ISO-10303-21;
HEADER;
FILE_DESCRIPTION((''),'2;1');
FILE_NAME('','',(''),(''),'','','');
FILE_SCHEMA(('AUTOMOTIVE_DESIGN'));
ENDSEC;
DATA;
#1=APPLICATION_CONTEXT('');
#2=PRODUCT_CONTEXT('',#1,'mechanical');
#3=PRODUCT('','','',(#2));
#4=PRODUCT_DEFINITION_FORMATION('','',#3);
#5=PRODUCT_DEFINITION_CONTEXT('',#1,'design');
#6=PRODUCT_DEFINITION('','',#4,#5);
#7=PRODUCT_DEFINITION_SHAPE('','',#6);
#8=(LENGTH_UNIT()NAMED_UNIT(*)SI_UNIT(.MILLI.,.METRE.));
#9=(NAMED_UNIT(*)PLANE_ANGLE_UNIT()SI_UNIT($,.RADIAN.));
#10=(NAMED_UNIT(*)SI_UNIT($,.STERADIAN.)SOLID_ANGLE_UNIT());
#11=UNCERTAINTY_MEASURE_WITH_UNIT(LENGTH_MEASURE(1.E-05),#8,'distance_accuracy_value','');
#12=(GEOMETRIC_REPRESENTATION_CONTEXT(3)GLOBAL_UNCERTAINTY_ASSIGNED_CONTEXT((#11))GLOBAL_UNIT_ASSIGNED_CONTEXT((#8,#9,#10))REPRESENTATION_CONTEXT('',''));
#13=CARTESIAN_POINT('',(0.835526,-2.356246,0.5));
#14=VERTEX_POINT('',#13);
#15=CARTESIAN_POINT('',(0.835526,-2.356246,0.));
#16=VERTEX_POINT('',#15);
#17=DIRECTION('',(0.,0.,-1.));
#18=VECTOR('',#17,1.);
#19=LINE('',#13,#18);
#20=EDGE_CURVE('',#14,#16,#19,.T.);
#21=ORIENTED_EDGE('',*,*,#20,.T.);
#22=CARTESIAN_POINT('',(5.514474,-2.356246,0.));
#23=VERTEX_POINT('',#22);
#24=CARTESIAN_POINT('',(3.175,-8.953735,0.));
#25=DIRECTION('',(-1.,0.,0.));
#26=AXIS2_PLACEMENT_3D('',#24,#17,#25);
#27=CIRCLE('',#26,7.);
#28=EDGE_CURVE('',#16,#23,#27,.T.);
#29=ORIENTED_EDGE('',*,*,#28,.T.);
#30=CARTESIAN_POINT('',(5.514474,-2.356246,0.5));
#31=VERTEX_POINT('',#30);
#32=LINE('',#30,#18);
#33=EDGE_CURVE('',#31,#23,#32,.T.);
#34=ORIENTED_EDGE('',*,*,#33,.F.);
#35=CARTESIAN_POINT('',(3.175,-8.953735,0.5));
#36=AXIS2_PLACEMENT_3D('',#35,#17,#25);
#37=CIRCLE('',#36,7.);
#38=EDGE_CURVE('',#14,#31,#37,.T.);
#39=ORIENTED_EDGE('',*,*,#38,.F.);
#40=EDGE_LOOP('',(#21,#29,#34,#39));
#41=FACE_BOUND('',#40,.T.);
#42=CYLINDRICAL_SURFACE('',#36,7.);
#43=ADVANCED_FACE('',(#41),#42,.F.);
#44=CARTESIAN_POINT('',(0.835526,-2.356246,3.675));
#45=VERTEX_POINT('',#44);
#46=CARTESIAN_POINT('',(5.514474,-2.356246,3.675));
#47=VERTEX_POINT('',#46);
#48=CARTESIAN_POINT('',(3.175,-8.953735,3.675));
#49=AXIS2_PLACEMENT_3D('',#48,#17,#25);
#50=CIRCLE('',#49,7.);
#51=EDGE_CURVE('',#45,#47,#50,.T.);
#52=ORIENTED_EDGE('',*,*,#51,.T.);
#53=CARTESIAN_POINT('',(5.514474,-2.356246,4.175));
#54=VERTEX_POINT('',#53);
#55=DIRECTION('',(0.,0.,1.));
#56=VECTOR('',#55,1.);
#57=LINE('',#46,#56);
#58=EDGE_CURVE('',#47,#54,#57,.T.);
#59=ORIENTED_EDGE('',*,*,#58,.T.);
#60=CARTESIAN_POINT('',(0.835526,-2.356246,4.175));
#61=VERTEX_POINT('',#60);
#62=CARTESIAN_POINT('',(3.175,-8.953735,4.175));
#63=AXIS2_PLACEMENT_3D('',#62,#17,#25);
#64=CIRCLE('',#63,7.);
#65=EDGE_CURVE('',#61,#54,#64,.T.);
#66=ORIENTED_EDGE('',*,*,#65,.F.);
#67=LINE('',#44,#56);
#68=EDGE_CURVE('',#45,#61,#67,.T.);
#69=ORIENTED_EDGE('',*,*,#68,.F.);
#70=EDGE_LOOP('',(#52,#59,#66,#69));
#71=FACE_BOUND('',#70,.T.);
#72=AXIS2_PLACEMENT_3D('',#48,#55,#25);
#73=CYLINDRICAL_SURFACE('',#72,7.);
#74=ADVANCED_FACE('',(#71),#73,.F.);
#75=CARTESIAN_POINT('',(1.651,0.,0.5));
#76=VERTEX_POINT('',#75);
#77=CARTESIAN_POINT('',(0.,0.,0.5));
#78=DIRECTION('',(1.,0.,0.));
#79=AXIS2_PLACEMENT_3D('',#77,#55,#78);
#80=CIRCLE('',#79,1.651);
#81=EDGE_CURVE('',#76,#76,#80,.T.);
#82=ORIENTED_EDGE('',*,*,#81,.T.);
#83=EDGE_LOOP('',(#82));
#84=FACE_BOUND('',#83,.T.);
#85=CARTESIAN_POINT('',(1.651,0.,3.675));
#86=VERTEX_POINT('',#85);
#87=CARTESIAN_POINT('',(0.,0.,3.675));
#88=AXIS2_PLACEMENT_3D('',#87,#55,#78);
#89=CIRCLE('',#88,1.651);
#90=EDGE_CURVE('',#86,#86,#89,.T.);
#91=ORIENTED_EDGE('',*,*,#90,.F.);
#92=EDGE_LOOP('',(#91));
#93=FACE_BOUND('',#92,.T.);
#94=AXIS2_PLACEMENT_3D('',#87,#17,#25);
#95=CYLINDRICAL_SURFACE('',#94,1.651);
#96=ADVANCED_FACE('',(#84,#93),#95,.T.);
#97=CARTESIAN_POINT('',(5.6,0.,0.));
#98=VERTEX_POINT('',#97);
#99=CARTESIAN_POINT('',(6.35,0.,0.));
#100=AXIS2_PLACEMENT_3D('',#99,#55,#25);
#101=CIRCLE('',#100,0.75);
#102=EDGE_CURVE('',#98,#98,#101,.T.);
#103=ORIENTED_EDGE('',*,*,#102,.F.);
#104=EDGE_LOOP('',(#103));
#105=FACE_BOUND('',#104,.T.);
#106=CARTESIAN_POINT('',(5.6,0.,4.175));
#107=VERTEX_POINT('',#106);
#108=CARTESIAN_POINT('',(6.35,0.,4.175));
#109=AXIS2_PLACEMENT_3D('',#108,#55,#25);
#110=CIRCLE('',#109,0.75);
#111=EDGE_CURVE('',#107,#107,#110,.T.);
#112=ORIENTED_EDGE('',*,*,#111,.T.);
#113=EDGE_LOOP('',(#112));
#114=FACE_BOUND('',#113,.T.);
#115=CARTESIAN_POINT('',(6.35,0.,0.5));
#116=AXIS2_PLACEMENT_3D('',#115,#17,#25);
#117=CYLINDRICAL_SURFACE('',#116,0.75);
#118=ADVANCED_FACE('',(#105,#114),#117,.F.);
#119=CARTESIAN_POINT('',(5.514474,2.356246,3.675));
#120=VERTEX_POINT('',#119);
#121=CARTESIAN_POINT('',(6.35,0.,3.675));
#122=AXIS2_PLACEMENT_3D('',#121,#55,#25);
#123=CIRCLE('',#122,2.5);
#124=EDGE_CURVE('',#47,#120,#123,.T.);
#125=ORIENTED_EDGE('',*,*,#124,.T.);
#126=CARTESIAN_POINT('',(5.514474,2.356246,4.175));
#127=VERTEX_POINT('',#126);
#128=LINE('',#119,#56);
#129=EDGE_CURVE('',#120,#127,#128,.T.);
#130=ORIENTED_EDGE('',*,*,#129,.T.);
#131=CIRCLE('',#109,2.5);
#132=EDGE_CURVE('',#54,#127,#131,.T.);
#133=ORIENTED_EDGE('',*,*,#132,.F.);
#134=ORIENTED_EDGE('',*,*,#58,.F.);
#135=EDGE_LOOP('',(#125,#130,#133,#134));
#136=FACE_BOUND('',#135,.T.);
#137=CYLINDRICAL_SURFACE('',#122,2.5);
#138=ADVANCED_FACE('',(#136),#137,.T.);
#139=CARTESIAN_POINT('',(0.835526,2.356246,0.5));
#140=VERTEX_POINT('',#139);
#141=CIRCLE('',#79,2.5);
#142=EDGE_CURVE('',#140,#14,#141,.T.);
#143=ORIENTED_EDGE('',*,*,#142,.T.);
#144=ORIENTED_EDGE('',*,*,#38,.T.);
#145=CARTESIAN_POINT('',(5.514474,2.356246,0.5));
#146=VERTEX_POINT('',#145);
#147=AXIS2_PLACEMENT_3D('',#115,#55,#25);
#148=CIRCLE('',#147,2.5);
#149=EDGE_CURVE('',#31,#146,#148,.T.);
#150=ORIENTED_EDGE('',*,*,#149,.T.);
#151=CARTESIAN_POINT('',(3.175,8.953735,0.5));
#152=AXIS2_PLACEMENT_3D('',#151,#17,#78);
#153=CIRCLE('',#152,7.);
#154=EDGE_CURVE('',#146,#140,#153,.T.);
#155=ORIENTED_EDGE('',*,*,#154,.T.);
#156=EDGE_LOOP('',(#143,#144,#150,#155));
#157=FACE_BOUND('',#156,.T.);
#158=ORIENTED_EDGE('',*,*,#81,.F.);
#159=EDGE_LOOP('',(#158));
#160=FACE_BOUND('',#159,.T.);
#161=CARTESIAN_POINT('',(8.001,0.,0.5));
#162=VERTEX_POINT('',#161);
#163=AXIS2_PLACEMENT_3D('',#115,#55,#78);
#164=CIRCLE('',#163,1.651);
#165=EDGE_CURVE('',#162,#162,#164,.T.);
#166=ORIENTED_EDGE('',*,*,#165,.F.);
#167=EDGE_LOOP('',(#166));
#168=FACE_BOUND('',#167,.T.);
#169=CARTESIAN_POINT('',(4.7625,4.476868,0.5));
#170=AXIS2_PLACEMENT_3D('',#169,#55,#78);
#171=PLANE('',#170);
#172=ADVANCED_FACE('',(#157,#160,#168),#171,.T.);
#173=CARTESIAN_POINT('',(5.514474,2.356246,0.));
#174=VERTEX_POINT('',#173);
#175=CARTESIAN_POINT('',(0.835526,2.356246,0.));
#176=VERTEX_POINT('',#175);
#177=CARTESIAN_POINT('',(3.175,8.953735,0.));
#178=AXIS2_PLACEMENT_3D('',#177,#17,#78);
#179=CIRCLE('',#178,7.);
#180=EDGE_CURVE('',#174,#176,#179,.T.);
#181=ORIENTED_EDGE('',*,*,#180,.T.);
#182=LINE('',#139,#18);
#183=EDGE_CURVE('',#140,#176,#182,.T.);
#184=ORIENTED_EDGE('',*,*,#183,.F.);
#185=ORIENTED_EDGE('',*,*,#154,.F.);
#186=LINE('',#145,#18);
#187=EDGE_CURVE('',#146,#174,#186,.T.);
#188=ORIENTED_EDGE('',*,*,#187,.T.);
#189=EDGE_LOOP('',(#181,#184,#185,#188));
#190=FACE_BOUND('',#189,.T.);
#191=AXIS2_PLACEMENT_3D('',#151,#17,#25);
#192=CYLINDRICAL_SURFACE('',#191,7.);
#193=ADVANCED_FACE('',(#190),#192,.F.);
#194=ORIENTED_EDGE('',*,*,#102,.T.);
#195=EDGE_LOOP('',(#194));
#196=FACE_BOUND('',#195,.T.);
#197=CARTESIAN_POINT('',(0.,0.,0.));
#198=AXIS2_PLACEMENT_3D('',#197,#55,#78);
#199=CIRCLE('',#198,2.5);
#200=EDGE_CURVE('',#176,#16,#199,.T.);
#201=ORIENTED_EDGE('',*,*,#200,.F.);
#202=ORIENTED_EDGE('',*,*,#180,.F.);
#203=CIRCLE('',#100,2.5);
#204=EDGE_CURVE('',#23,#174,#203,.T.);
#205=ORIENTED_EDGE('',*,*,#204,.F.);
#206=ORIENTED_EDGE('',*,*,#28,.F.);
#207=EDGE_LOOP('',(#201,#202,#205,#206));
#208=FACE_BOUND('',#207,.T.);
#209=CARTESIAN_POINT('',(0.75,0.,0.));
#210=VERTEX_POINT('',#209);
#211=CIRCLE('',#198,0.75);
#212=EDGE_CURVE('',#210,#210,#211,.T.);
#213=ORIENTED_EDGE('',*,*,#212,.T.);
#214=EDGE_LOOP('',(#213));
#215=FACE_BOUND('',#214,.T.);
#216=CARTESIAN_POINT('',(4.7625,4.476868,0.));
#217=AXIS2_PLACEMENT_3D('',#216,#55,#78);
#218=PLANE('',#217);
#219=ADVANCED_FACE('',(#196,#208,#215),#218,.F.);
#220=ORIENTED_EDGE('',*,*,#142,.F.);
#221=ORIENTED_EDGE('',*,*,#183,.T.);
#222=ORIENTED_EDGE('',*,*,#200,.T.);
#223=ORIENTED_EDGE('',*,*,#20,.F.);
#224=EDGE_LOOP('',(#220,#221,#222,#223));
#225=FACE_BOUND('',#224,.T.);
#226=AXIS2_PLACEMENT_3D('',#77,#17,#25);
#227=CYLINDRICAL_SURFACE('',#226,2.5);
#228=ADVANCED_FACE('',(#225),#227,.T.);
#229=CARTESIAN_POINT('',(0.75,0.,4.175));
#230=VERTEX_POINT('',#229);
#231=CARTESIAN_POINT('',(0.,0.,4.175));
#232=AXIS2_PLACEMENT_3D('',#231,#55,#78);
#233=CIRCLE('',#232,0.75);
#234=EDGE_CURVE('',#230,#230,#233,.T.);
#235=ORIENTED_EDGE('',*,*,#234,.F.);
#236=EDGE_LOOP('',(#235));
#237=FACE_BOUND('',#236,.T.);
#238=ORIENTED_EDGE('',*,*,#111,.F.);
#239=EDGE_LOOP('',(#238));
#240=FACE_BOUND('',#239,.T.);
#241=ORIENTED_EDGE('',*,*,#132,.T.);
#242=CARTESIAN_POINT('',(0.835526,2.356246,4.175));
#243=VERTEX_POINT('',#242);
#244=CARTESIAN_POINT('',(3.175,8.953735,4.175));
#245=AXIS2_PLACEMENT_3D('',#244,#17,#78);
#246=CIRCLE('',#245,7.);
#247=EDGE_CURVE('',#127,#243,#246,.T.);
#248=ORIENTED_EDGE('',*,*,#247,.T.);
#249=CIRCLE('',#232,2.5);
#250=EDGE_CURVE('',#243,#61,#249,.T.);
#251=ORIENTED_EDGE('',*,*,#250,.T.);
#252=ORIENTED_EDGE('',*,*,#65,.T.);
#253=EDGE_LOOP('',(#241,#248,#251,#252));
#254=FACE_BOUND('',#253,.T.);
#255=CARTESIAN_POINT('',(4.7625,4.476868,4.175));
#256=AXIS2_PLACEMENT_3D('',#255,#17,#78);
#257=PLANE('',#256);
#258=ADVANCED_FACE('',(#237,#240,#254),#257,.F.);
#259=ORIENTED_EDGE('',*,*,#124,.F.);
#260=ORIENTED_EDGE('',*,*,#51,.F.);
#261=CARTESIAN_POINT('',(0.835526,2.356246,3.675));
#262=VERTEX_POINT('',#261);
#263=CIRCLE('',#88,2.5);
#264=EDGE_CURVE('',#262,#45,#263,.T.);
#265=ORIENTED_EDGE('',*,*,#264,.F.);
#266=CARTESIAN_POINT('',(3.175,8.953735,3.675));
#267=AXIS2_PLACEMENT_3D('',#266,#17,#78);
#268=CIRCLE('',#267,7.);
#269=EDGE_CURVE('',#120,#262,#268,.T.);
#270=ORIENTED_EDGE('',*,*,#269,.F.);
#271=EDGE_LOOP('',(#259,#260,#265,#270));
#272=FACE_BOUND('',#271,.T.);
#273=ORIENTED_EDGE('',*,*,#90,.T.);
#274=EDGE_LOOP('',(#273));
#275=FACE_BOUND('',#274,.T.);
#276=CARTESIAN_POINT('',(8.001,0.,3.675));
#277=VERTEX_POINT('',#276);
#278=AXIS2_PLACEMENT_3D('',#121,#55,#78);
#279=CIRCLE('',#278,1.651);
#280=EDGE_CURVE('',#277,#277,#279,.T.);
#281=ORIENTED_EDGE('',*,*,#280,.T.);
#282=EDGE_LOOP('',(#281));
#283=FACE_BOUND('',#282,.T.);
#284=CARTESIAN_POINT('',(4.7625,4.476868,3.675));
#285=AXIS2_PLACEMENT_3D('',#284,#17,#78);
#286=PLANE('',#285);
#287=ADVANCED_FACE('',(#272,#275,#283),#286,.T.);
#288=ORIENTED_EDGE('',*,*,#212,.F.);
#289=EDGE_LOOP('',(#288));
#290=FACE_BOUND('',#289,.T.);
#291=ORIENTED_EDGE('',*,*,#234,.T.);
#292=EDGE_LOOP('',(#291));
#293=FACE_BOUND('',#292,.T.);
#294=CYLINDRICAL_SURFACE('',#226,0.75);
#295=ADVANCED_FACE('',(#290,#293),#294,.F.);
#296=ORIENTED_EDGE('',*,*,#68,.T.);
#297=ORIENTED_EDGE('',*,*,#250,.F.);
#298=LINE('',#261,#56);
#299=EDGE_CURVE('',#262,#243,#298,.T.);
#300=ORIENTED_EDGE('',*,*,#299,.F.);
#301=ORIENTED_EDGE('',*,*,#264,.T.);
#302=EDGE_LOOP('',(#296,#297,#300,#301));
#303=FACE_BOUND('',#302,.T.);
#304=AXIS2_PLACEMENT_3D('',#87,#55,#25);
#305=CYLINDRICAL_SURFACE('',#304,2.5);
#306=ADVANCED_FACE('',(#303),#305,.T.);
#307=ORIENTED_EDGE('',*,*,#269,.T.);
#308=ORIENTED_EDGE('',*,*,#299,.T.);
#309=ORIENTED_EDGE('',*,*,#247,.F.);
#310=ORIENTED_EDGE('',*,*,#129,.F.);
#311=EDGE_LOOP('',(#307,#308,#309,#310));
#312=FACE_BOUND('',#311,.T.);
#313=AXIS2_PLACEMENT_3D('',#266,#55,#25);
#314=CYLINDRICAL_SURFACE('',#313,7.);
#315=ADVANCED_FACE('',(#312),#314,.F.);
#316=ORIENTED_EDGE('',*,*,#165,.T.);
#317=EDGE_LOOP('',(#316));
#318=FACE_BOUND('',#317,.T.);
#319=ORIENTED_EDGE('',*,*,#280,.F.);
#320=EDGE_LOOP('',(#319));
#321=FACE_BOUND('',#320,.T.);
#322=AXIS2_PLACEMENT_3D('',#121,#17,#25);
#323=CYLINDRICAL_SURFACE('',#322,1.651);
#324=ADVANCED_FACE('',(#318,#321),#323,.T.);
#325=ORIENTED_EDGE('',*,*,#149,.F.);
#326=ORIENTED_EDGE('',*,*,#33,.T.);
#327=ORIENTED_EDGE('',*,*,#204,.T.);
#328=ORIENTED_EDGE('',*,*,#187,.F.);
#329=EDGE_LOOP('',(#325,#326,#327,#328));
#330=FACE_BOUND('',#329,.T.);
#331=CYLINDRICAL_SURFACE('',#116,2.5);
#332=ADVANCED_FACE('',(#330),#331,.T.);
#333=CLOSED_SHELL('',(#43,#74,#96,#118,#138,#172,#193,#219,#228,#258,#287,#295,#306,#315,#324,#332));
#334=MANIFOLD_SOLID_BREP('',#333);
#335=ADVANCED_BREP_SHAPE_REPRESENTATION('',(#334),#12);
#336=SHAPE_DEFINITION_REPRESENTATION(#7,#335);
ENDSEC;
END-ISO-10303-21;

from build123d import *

# Parameters (mm, degrees)
SKETCH1_R           = 0.75
BOSS_EXTRUDE1_DEPTH = 0.5
SKETCH2_R           = 1.651
SKETCH2_R_2         = 0.75
BOSS_EXTRUDE2_DEPTH = 3.175


with BuildPart() as part:
    # Sketch1 → Boss-Extrude1 (new body)
    with BuildSketch(Plane.XY):
        with BuildLine():
            ThreePointArc((0.835526316, 2.356246119), (-2.5, 0), (0.835526316, -2.356246119))
            ThreePointArc((0.835526316, -2.356246119), (3.175, -1.953735254), (5.514473684, -2.356246119))
            ThreePointArc((5.514473684, -2.356246119), (8.85, 0), (5.514473684, 2.356246119))
            ThreePointArc((5.514473684, 2.356246119), (3.175, 1.953735254), (0.835526316, 2.356246119))
        make_face()
        Circle(SKETCH1_R, mode=Mode.SUBTRACT)
        with Locations(Location((6.35, 0, 0), (0, 0, 180))):
            Circle(SKETCH1_R, mode=Mode.SUBTRACT)
    extrude(amount=BOSS_EXTRUDE1_DEPTH)

    # Sketch2 → Boss-Extrude2 (add)
    # profile 1 of 2: a face of its own
    with BuildSketch(Plane.XY.offset(0.5)):
        with Locations((6.35, 0)):
            Circle(SKETCH2_R)
        with Locations(Location((6.35, 0, 0), (0, 0, 180))):
            Circle(SKETCH2_R_2, mode=Mode.SUBTRACT)
    # profile 2 of 2: a face of its own
    with BuildSketch(Plane.XY.offset(0.5)):
        Circle(SKETCH2_R)
        Circle(SKETCH2_R_2, mode=Mode.SUBTRACT)
    extrude(amount=BOSS_EXTRUDE2_DEPTH)

    # Mirror1: part across plane


with BuildPart() as part_1:
    add(part.part)
    add(part.part.mirror(Plane.XY.offset(2.0875)))


solid = part_1.part
